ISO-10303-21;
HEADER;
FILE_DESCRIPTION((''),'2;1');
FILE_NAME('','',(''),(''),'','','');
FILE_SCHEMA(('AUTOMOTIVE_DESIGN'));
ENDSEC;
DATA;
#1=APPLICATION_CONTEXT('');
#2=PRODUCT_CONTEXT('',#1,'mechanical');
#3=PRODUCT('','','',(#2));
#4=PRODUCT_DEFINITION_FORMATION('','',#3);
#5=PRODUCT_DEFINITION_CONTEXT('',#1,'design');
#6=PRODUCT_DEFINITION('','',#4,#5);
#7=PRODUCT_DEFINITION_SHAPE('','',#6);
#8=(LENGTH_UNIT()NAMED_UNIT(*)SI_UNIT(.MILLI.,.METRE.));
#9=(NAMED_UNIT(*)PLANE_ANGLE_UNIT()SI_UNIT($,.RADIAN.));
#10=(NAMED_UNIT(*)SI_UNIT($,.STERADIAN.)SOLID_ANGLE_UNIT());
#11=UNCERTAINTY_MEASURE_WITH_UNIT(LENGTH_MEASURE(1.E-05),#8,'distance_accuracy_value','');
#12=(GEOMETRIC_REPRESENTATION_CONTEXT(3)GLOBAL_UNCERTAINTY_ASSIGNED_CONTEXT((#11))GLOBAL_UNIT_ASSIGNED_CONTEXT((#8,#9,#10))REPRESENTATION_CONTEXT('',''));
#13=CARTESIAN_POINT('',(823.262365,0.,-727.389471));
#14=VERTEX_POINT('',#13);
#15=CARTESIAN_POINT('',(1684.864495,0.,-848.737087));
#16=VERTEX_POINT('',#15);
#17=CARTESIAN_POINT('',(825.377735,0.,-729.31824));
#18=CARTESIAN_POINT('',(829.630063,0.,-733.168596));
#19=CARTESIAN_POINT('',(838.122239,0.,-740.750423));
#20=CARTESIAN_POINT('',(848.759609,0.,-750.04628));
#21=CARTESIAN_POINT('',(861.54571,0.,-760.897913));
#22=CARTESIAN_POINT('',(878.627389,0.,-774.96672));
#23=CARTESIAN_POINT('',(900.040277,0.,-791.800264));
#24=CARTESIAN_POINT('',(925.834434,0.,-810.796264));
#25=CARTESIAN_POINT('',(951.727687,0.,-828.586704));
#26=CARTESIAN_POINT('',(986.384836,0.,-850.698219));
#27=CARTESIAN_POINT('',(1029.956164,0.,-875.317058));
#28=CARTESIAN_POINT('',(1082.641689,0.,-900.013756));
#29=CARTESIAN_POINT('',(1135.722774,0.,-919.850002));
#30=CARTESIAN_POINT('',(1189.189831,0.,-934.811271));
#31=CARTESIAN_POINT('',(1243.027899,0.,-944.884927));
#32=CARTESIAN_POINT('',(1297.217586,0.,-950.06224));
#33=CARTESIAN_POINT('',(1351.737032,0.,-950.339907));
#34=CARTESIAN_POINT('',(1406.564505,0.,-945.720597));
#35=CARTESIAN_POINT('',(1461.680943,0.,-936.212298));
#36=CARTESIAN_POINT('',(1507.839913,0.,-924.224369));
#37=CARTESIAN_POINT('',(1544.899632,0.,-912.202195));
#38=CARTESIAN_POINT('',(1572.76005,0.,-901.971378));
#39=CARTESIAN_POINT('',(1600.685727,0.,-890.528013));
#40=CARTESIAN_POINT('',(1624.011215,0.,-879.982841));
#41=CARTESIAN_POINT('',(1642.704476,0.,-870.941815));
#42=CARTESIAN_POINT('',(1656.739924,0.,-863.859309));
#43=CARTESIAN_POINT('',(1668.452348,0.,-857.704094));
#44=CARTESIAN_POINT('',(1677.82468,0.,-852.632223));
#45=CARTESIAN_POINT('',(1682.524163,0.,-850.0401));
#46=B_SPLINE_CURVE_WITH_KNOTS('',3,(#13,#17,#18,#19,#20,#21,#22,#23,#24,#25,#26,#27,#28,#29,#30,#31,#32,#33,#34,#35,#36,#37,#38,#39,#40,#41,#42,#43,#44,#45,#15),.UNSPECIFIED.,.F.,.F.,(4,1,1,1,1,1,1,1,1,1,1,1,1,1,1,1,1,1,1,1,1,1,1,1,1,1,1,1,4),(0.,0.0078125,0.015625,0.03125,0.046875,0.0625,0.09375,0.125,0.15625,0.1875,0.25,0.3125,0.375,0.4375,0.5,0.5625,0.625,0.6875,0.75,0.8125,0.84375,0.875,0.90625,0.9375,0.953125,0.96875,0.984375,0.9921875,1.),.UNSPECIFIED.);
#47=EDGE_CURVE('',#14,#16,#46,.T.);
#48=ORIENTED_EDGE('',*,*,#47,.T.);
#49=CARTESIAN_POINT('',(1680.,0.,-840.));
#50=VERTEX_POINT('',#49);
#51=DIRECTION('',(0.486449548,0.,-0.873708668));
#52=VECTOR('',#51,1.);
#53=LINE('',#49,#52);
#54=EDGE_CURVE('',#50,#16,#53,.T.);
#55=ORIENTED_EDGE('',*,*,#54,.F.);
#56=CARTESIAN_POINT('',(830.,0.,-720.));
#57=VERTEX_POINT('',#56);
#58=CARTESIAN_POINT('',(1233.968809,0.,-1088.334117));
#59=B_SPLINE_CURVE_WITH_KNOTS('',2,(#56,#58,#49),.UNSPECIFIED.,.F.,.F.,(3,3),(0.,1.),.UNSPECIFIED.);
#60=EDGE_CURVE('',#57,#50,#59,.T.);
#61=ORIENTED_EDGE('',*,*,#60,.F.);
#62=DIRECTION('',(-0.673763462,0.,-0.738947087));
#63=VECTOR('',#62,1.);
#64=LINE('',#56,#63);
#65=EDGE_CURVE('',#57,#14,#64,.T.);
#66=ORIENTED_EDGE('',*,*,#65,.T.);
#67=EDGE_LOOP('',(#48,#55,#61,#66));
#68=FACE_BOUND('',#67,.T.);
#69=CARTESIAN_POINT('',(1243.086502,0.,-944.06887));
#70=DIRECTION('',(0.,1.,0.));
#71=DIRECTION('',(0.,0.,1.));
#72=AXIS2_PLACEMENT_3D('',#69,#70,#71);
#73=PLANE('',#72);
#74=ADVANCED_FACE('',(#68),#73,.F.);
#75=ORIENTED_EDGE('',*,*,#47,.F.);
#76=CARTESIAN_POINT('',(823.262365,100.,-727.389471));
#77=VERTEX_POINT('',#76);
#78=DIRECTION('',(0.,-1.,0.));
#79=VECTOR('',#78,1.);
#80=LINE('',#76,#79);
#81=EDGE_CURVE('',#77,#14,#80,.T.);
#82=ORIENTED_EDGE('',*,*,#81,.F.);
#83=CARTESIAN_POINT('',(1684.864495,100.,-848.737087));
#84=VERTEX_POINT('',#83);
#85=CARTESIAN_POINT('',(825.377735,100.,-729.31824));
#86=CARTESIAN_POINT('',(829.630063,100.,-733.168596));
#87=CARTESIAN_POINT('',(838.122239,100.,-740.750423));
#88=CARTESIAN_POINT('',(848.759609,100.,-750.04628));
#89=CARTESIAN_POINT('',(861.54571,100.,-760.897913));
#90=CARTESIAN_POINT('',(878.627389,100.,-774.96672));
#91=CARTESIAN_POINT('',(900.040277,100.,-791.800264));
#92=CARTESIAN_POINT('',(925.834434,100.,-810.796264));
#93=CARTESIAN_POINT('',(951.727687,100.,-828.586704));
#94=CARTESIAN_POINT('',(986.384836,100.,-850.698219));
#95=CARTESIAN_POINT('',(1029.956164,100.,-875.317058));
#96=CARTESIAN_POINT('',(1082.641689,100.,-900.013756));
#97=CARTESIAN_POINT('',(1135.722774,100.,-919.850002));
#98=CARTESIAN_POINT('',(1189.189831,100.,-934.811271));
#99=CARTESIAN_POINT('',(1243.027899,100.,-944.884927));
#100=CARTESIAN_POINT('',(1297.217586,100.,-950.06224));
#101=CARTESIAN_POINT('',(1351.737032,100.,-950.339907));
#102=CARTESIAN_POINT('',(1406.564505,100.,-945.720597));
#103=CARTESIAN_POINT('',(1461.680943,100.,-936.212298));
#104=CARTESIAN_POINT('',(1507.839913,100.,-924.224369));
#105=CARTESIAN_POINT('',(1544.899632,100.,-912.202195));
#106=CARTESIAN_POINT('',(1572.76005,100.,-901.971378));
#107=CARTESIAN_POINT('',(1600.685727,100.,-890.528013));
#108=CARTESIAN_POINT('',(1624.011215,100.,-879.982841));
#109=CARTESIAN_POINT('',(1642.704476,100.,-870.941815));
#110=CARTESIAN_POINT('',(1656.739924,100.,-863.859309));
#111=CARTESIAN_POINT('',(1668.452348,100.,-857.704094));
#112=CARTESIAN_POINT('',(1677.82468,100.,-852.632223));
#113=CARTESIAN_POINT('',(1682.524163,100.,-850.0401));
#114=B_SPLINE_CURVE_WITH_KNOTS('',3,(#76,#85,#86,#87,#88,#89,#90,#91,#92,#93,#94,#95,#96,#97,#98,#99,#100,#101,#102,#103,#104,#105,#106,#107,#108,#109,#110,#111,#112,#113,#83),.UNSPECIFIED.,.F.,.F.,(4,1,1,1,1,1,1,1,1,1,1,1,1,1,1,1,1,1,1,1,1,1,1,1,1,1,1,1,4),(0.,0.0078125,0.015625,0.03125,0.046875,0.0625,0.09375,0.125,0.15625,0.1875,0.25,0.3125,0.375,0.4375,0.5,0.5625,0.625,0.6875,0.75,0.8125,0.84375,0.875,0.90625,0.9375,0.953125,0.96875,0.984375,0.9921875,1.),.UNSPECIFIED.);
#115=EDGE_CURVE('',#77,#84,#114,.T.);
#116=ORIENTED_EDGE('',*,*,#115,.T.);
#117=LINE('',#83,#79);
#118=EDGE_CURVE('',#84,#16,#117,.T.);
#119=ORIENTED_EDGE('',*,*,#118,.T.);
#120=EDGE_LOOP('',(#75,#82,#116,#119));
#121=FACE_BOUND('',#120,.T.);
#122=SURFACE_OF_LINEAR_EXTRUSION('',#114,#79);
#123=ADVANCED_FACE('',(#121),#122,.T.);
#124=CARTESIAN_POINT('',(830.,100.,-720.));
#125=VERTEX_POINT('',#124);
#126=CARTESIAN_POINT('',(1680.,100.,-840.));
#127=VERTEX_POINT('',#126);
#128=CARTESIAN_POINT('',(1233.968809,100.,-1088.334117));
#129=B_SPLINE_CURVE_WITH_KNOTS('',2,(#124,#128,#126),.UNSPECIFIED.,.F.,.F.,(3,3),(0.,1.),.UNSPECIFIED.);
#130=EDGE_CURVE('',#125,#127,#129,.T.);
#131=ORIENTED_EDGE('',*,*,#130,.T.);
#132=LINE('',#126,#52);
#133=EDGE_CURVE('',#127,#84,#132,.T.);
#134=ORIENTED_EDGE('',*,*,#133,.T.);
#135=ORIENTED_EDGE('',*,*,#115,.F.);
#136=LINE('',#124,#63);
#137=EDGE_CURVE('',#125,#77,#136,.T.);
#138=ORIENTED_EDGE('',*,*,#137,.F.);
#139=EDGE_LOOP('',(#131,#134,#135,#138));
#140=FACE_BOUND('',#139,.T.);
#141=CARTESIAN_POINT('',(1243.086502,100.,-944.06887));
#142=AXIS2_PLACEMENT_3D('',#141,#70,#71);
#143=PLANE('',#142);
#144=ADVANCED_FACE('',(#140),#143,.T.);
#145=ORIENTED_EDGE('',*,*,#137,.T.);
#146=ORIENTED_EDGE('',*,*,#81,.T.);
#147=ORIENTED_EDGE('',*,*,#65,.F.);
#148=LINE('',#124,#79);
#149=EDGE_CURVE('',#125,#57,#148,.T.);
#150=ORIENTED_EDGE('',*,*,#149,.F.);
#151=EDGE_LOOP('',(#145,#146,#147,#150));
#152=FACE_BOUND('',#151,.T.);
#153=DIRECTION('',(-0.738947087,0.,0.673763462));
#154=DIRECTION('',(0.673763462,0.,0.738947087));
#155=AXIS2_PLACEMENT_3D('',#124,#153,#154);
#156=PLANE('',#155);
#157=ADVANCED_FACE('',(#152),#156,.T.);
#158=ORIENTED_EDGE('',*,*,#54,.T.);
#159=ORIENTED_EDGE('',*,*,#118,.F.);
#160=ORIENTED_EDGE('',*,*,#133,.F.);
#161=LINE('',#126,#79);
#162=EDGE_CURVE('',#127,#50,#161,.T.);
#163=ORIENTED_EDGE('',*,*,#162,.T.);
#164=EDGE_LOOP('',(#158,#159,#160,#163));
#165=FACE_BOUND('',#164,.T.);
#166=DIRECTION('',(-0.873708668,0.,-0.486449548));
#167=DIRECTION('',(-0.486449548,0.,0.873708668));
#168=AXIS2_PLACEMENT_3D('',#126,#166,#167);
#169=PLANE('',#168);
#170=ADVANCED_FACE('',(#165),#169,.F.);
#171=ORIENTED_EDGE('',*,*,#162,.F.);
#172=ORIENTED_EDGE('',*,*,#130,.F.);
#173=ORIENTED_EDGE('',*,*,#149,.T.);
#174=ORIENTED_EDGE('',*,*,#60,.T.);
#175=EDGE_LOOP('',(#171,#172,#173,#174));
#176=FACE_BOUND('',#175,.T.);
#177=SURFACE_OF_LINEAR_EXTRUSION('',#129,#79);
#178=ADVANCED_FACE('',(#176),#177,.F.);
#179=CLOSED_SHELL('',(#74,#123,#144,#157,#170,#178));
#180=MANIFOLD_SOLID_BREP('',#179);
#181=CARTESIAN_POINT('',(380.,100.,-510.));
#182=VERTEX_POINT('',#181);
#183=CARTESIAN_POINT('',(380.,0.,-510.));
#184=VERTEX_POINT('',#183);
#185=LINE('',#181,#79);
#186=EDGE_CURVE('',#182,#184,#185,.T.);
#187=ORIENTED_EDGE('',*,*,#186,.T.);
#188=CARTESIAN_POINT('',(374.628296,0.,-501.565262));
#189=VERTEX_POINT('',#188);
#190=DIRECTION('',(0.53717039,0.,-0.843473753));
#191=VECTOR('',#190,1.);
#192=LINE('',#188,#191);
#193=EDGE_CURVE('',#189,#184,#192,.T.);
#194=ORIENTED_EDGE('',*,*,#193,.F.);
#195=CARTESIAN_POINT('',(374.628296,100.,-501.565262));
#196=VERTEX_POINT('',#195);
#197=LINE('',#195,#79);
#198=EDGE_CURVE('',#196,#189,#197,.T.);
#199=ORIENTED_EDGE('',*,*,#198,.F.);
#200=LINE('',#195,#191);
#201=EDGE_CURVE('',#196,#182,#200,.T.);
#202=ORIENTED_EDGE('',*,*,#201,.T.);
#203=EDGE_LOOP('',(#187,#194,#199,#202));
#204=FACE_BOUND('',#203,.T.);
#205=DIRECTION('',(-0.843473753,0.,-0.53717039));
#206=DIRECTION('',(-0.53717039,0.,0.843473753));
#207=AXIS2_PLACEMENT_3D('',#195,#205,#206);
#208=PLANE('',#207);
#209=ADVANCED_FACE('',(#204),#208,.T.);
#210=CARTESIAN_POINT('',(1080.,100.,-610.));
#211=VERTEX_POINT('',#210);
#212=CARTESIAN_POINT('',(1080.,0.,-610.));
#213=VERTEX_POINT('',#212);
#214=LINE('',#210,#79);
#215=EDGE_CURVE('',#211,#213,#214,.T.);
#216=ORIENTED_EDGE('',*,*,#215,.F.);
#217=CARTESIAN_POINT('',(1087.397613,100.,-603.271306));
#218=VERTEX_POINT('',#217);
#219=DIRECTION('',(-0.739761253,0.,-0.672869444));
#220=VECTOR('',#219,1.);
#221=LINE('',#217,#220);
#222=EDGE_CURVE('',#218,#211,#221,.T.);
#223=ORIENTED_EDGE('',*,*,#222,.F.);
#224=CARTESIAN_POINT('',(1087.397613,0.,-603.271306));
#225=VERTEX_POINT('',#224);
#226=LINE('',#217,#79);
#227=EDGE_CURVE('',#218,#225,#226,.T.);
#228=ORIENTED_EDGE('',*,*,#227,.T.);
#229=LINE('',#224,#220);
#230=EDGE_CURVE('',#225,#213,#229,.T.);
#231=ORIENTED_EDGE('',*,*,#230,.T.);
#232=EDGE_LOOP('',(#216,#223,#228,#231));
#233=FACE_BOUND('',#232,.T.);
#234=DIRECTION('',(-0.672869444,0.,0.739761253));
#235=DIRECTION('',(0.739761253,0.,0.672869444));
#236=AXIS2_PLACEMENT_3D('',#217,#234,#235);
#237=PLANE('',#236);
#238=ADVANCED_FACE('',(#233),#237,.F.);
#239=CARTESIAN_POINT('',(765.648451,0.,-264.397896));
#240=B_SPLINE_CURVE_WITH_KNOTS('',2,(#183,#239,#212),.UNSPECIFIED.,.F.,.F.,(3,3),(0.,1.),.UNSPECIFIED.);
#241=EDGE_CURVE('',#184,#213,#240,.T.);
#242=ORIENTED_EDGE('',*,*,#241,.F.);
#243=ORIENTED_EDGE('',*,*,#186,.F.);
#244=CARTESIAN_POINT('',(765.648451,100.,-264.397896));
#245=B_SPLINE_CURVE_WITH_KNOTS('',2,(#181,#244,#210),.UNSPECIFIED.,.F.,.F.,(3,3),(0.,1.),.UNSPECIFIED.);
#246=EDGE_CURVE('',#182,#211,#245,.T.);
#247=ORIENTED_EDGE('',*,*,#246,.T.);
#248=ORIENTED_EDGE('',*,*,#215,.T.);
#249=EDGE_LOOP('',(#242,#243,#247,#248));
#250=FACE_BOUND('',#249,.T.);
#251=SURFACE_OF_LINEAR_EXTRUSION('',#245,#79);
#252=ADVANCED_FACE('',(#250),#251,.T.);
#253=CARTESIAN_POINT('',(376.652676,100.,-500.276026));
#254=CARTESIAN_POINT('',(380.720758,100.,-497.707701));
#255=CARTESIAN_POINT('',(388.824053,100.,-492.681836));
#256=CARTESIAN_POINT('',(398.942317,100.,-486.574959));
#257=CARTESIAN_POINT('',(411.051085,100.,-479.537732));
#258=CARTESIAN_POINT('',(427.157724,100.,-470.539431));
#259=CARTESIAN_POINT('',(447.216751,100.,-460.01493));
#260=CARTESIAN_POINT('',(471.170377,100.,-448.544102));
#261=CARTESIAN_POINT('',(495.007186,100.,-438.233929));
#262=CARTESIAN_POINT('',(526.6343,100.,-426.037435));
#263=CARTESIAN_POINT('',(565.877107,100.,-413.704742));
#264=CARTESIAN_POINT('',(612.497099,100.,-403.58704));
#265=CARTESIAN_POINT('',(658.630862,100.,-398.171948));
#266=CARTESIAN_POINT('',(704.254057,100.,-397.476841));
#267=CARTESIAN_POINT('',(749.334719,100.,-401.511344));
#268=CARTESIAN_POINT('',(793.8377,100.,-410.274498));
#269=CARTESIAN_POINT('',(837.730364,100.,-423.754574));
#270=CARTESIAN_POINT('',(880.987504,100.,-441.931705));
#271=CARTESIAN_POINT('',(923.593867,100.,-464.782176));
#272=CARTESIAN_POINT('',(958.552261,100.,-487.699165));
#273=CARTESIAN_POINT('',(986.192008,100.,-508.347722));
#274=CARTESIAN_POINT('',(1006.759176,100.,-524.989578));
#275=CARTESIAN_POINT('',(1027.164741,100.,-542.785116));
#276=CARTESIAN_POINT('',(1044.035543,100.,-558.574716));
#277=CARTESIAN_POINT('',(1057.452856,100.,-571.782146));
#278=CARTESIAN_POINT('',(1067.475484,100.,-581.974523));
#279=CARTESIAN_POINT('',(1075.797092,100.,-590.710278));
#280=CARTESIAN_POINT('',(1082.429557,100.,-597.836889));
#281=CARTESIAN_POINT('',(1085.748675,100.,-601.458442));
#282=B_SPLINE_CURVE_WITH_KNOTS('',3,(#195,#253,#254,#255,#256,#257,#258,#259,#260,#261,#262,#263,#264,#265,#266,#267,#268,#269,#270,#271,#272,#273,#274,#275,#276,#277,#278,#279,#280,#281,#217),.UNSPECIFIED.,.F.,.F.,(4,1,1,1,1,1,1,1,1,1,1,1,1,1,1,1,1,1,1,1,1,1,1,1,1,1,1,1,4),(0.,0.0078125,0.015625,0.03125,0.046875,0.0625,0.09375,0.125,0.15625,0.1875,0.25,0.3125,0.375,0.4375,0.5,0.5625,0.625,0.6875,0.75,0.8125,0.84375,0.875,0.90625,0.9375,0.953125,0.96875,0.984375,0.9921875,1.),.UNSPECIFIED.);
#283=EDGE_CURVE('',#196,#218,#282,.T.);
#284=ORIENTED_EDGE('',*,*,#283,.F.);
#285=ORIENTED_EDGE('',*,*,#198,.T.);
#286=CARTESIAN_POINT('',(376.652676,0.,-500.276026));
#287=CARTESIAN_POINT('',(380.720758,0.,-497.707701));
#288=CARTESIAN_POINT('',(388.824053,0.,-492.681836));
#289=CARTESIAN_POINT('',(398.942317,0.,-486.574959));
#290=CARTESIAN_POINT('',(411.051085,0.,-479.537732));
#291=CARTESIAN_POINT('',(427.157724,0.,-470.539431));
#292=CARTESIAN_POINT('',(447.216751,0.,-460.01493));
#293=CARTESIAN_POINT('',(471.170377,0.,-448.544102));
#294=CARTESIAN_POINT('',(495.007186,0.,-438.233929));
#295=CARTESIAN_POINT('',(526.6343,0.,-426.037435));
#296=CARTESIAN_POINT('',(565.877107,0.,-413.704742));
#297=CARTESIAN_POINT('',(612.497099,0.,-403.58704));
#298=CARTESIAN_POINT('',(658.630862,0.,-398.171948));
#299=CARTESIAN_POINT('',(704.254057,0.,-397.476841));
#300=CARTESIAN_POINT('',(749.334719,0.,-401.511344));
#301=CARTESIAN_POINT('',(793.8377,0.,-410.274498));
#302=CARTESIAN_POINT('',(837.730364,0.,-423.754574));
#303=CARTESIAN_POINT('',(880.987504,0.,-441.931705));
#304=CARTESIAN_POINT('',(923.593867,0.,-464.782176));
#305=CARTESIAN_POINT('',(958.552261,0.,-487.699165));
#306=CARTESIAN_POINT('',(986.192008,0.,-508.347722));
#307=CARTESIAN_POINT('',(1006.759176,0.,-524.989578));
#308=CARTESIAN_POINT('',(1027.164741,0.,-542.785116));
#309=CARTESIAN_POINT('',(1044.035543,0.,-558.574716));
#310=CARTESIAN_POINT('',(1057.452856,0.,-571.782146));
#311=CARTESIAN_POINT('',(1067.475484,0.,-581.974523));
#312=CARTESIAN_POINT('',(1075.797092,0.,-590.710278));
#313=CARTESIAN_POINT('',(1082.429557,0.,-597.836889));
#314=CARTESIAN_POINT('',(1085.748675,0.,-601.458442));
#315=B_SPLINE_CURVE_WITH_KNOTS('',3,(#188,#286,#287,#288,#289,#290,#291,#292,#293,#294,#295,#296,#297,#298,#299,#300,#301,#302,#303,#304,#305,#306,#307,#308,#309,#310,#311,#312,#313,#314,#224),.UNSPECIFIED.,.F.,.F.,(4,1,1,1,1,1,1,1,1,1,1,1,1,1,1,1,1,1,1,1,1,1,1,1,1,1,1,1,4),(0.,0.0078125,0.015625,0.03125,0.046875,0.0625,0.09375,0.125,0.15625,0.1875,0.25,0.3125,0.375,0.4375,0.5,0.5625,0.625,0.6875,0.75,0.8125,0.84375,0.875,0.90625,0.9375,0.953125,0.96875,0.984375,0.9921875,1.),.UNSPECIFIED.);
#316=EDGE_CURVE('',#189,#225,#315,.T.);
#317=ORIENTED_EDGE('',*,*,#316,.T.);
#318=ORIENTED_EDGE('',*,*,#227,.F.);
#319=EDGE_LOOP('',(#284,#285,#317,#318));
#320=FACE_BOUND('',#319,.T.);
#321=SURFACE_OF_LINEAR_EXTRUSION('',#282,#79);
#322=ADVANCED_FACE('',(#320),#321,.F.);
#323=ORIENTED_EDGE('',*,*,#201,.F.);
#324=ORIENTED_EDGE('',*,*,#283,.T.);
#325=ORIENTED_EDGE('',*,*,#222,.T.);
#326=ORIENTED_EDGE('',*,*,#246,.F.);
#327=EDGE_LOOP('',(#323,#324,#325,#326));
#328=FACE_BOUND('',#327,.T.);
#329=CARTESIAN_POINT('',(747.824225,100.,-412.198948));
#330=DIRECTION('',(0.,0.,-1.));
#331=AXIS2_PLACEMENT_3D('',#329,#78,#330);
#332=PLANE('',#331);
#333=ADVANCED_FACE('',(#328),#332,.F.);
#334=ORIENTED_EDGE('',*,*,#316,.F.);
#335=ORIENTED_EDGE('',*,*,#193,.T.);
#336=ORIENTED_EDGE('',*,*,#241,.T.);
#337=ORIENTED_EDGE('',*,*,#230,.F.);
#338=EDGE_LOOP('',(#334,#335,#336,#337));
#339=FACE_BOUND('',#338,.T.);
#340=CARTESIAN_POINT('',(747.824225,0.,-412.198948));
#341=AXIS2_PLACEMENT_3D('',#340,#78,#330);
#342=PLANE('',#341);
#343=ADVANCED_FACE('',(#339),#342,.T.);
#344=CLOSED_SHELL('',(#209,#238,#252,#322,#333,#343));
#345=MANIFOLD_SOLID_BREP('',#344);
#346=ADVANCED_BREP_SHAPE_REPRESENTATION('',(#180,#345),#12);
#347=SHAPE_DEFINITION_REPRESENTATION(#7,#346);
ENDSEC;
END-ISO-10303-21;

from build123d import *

# Parameters (mm, degrees)
BOSS_EXTRUDE1_DEPTH   = 100
BOSS_EXTRUDE1_2_DEPTH = 100


with BuildPart() as part:
    # Sketch2 → Boss-Extrude1 (new body)
    with BuildSketch(Plane(origin=(0, 0, 0), x_dir=(1, 0, 0), z_dir=(0, 1, 0))):
        with BuildLine():
            Line((374.628296099, 501.56526247), (380, 510))
            add(Edge.make_bspline(
                [(380, 510), (765.648450942, 264.39789551), (1080, 610)],
                knots=[0, 0, 0, 1, 1, 1], degree=2))
            Line((1080, 610), (1087.397612531, 603.271305562))
            add(Edge.make_bspline(
                [(374.628296099, 501.56526247), (376.652675637, 500.276026448), (380.720758418, 497.707701121), (388.824052603, 492.681835618), (398.942317337, 486.574959139), (411.051084523, 479.537732392), (427.157724343, 470.539431247), (447.216750526, 460.014930368), (471.170377074, 448.544102414), (495.00718599, 438.233929118), (526.634300022, 426.037434745), (565.877106852, 413.704742254), (612.497099343, 403.587039941), (658.630861524, 398.171948108), (704.254057326, 397.476841105), (749.334719328, 401.511344411), (793.837699559, 410.274498162), (837.730363716, 423.754574124), (880.987503579, 441.931705096), (923.593867321, 464.782175641), (958.552261081, 487.699165006), (986.192007845, 508.347722138), (1006.759175925, 524.989578308), (1027.16474126, 542.78511594), (1044.035543065, 558.574716154), (1057.452856135, 571.782145535), (1067.475484342, 581.974522934), (1075.797092179, 590.710277834), (1082.429557002, 597.836888743), (1085.748674507, 601.458442056), (1087.397612531, 603.271305562)],
                knots=[0, 0, 0, 0, 0.0078125, 0.015625, 0.03125, 0.046875, 0.0625, 0.09375, 0.125, 0.15625, 0.1875, 0.25, 0.3125, 0.375, 0.4375, 0.5, 0.5625, 0.625, 0.6875, 0.75, 0.8125, 0.84375, 0.875, 0.90625, 0.9375, 0.953125, 0.96875, 0.984375, 0.9921875, 1, 1, 1, 1], degree=3))
        make_face()
    extrude(amount=BOSS_EXTRUDE1_DEPTH)


with BuildPart() as body_2:
    # Sketch2 → Boss-Extrude1 2 (new body)
    with BuildSketch(Plane(origin=(0, 0, 0), x_dir=(1, 0, 0), z_dir=(0, 1, 0))):
        with BuildLine():
            Line((830, 720), (823.262365385, 727.389470873))
            add(Edge.make_bspline(
                [(823.262365385, 727.389470873), (825.377734768, 729.318240365), (829.630063139, 733.168595845), (838.122239016, 740.750423493), (848.759608615, 750.046280333), (861.545710334, 760.897913291), (878.627388595, 774.966720203), (900.040277479, 791.800263599), (925.834434109, 810.796263839), (951.727686534, 828.586703778), (986.38483586, 850.698218528), (1029.956163663, 875.317057992), (1082.641689062, 900.013755812), (1135.722774479, 919.850002265), (1189.189830591, 934.811271327), (1243.027898668, 944.88492735), (1297.217585695, 950.062239621), (1351.737032302, 950.339907388), (1406.564505345, 945.720596556), (1461.680943023, 936.212298146), (1507.839912968, 924.224368531), (1544.899631683, 912.202195037), (1572.760050482, 901.971377888), (1600.685726671, 890.528013045), (1624.011214556, 879.982841334), (1642.704475786, 870.941814647), (1656.739924063, 863.859308904), (1668.452347873, 857.704094065), (1677.824680307, 852.632223036), (1682.524162963, 850.040099617), (1684.864495478, 848.737086685)],
                knots=[0, 0, 0, 0, 0.0078125, 0.015625, 0.03125, 0.046875, 0.0625, 0.09375, 0.125, 0.15625, 0.1875, 0.25, 0.3125, 0.375, 0.4375, 0.5, 0.5625, 0.625, 0.6875, 0.75, 0.8125, 0.84375, 0.875, 0.90625, 0.9375, 0.953125, 0.96875, 0.984375, 0.9921875, 1, 1, 1, 1], degree=3))
            Line((1684.864495478, 848.737086685), (1680, 840))
            add(Edge.make_bspline(
                [(830, 720), (1233.968809208, 1088.334117434), (1680, 840)],
                knots=[0, 0, 0, 1, 1, 1], degree=2))
        make_face()
    extrude(amount=BOSS_EXTRUDE1_2_DEPTH)


solid = Compound([part.part, body_2.part])
